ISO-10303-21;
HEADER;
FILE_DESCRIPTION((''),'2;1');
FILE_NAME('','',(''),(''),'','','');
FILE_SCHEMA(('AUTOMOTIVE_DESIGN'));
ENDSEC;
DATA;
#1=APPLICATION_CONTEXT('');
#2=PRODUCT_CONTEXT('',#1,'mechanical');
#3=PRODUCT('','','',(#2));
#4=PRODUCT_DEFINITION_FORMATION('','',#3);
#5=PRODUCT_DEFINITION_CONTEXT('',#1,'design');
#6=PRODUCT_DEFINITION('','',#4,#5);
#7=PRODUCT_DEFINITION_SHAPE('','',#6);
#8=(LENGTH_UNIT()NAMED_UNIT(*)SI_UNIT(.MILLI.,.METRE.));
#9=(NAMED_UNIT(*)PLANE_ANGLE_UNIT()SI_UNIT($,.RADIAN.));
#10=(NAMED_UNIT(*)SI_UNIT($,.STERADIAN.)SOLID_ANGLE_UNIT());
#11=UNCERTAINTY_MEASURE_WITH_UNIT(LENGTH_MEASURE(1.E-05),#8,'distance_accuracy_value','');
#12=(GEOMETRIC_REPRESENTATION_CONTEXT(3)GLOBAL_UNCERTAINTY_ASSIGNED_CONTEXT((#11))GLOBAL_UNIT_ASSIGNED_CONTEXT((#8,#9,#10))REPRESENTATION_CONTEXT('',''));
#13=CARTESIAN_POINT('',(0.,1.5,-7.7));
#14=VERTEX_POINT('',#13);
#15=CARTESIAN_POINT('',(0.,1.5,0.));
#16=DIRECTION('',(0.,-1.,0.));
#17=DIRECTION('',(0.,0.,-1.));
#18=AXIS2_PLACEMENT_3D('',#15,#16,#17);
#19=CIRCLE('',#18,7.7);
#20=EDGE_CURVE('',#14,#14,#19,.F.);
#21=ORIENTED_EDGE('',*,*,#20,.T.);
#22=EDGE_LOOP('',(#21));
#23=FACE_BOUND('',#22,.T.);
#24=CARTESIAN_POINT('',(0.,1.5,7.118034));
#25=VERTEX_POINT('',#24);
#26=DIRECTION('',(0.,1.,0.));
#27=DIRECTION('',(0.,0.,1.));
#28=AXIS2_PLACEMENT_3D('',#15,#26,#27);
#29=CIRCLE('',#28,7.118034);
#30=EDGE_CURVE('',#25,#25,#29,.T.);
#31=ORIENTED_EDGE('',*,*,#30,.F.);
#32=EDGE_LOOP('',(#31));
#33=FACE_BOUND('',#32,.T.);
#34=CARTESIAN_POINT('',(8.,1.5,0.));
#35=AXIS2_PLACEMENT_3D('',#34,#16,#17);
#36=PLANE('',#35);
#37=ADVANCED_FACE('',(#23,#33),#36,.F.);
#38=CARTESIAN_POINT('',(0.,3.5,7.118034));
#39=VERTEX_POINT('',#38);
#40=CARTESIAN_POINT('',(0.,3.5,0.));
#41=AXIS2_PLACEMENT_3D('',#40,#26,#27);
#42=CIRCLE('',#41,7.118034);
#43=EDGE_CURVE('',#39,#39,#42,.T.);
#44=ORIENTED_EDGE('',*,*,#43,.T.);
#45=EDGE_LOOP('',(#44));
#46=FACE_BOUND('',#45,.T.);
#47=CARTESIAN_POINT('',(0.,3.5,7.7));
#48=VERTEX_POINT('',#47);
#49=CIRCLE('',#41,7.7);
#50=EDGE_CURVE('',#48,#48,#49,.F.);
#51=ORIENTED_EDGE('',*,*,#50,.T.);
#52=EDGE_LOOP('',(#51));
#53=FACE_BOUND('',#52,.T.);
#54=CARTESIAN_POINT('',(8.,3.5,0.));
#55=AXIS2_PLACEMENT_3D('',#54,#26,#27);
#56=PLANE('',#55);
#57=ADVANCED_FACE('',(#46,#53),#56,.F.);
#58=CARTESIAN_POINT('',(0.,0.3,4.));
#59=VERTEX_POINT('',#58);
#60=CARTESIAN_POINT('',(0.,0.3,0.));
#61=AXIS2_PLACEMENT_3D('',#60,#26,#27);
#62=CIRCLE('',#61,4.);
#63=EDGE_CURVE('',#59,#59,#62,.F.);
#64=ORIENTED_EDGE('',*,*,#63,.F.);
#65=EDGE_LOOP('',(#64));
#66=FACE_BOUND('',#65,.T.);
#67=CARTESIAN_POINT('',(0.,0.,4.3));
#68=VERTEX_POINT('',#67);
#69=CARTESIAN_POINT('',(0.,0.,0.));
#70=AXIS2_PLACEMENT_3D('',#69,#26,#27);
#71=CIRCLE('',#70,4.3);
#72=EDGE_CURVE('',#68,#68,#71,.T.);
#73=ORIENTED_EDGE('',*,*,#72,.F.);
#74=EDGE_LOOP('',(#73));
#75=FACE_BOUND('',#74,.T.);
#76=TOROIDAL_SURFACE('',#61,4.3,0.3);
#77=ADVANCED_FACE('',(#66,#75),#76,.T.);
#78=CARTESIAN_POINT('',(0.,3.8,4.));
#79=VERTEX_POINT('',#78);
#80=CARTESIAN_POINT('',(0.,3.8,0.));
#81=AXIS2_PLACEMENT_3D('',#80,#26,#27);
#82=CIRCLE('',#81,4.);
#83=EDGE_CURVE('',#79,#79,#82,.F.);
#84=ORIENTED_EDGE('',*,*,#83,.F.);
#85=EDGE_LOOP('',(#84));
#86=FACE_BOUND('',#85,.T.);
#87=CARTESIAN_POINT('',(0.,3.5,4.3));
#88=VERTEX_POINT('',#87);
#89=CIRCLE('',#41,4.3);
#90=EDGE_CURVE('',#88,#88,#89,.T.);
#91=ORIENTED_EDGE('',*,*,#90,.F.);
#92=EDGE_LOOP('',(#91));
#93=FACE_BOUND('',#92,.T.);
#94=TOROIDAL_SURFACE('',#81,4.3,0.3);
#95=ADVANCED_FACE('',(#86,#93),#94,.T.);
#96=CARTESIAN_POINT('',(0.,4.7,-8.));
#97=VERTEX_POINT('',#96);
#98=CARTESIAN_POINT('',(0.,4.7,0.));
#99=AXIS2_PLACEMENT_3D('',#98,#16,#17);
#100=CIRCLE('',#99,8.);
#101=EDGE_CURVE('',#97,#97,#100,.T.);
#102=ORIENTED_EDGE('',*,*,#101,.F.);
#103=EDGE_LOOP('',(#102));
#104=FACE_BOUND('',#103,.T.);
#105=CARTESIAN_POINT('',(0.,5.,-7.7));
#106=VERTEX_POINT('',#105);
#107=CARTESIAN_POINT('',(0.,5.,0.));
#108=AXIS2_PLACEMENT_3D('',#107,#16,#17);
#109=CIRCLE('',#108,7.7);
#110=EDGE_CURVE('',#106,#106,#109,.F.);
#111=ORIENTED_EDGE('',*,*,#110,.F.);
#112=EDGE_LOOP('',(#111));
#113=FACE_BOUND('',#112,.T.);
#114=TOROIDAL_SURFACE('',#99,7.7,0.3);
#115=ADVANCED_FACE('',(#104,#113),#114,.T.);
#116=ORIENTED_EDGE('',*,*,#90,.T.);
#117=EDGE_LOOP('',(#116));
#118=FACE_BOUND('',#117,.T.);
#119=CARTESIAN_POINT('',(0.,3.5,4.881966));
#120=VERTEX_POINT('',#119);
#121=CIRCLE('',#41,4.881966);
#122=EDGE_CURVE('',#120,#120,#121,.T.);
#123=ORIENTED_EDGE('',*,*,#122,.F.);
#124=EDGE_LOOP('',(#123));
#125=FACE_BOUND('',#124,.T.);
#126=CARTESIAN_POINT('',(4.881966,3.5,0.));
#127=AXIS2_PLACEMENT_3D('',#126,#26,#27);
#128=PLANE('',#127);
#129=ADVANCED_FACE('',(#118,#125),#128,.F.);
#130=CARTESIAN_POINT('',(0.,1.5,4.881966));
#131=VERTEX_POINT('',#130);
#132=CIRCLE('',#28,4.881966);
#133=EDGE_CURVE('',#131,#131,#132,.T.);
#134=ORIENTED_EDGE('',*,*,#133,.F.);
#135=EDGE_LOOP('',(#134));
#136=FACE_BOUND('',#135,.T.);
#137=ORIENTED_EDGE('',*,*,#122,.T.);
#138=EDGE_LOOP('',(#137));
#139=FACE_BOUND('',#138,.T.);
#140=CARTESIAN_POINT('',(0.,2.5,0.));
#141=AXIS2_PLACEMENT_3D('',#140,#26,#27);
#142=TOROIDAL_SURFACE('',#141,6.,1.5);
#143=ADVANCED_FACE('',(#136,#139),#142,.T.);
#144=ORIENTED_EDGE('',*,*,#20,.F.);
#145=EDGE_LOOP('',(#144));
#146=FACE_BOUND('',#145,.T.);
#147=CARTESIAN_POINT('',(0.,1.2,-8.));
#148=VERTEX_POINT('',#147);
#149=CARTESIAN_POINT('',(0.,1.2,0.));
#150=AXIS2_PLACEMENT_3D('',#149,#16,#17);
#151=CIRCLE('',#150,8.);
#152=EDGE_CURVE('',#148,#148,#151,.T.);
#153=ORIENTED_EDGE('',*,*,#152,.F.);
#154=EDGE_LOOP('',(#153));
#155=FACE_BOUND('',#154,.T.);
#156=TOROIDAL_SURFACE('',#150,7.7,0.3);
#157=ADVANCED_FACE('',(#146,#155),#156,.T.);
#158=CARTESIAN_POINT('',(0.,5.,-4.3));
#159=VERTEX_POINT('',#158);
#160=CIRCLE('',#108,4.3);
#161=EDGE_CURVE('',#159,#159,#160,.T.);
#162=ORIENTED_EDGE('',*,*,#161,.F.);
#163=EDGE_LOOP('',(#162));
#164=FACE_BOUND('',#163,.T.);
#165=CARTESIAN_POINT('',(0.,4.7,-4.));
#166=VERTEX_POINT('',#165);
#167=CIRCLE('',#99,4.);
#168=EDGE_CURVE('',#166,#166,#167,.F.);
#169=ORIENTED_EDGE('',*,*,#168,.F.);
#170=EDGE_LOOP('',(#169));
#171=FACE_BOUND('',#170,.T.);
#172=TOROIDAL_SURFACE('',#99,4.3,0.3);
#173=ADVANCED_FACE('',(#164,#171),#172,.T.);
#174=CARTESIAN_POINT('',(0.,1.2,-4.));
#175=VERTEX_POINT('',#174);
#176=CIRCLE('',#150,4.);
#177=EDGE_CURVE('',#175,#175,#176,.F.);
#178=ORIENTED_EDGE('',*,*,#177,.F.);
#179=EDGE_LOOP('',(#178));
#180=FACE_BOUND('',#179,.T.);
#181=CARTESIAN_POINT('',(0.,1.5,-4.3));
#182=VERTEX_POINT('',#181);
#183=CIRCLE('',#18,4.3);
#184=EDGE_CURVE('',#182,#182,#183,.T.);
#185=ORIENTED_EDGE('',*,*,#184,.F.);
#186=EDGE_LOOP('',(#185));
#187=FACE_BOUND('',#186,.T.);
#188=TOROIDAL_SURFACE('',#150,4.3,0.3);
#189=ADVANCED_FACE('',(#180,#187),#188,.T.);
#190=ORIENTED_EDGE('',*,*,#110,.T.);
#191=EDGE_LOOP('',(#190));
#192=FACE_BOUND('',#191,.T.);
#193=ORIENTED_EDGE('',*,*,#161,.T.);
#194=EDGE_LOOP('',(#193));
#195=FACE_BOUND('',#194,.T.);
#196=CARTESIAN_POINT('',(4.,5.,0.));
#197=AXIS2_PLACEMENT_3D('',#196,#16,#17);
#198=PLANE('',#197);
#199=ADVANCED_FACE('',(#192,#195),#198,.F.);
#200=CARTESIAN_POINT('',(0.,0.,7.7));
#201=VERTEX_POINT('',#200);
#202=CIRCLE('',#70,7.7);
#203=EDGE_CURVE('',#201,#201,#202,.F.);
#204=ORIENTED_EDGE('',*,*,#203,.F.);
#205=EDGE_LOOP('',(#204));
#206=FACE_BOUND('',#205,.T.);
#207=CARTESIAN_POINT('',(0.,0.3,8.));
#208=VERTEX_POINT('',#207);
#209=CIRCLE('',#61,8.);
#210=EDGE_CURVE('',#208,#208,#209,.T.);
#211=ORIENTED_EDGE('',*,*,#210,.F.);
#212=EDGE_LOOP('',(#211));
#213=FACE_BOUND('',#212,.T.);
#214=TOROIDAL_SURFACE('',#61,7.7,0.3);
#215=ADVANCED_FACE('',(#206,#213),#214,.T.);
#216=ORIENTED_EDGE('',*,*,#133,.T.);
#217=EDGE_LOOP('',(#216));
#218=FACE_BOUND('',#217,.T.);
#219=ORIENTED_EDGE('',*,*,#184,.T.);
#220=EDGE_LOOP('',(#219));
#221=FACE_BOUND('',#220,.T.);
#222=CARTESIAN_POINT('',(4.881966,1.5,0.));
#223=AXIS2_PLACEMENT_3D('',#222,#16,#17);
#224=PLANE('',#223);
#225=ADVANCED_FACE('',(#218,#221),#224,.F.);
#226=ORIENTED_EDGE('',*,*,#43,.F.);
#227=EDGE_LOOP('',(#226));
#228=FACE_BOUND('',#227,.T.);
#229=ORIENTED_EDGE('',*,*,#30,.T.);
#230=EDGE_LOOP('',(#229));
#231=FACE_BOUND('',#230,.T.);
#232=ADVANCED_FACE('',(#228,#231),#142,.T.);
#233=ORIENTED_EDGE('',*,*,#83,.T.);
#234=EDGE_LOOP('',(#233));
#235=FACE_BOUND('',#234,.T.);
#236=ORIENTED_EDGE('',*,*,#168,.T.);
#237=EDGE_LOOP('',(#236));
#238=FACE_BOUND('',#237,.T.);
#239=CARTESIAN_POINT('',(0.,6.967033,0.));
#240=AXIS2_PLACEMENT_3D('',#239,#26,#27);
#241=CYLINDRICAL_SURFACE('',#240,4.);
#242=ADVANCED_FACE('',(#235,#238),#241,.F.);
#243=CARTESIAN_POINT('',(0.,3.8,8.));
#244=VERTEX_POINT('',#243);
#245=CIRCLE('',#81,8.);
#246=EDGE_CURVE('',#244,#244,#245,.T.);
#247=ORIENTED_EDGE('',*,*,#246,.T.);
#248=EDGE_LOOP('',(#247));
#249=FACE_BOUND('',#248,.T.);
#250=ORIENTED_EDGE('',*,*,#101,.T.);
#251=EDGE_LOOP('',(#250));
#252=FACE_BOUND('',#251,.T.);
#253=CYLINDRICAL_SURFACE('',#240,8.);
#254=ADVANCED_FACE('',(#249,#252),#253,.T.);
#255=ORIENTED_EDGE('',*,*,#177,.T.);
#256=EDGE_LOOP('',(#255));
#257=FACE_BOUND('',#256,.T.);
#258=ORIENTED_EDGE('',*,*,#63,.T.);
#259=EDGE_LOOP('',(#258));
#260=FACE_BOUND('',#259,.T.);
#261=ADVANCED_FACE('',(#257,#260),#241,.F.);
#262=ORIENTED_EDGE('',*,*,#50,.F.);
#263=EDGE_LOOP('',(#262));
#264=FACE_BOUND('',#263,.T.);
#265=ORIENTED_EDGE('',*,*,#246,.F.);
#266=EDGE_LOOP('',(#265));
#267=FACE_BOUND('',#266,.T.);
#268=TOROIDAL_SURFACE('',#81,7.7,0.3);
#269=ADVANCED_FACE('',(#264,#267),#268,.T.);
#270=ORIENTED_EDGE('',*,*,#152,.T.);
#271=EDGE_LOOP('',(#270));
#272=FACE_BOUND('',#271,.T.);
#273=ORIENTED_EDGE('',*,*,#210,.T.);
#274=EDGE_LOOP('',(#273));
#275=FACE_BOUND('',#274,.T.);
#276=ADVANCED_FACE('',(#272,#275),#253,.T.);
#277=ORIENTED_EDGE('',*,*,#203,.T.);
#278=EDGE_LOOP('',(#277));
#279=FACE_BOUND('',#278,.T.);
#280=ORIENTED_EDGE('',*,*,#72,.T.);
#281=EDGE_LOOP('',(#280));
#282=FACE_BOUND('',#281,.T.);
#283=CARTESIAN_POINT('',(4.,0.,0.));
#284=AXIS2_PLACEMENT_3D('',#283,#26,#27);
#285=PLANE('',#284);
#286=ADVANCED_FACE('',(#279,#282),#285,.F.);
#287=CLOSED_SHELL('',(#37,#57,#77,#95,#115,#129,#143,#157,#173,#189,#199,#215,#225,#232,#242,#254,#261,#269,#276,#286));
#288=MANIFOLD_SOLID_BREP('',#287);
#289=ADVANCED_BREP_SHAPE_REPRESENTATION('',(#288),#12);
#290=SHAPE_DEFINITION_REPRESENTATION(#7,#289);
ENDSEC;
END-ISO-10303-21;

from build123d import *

# Parameters (mm, degrees)
FILLET_1_R = 0.3


with BuildPart() as part:
    # 草图1 → 旋转1 (revolve)
    with BuildSketch(Plane.XY):
        with BuildLine():
            Line((4, 0), (8, 0))
            Line((8, 0), (8, 1.5))
            Line((8, 1.5), (7.118033989, 1.5))
            ThreePointArc((7.118033989, 1.5), (7.5, 2.5), (7.118033989, 3.5))
            Line((7.118033989, 3.5), (8, 3.5))
            Line((8, 3.5), (8, 5))
            Line((8, 5), (4, 5))
            Line((4, 5), (4, 3.5))
            Line((4, 3.5), (4.881966011, 3.5))
            ThreePointArc((4.881966011, 3.5), (4.5, 2.5), (4.881966011, 1.5))
            Line((4.881966011, 1.5), (4, 1.5))
            Line((4, 1.5), (4, 0))
        make_face()
    revolve(axis=Axis((0, 6.967032967, 0), (0, -1, 0)))

    # 圆角1
    fillet_1_edges = [part.edges().sort_by_distance(p)[0] for p in [
        (-4, 3.5, 0),
        (-4, 5, 0),
        (-8, 5, 0),
        (-8, 3.5, 0),
        (-8, 1.5, 0),
        (-8, 0, 0),
        (-4, 0, 0),
        (-4, 1.5, 0),
    ]]
    fillet(fillet_1_edges, radius=FILLET_1_R)


solid = part.part
